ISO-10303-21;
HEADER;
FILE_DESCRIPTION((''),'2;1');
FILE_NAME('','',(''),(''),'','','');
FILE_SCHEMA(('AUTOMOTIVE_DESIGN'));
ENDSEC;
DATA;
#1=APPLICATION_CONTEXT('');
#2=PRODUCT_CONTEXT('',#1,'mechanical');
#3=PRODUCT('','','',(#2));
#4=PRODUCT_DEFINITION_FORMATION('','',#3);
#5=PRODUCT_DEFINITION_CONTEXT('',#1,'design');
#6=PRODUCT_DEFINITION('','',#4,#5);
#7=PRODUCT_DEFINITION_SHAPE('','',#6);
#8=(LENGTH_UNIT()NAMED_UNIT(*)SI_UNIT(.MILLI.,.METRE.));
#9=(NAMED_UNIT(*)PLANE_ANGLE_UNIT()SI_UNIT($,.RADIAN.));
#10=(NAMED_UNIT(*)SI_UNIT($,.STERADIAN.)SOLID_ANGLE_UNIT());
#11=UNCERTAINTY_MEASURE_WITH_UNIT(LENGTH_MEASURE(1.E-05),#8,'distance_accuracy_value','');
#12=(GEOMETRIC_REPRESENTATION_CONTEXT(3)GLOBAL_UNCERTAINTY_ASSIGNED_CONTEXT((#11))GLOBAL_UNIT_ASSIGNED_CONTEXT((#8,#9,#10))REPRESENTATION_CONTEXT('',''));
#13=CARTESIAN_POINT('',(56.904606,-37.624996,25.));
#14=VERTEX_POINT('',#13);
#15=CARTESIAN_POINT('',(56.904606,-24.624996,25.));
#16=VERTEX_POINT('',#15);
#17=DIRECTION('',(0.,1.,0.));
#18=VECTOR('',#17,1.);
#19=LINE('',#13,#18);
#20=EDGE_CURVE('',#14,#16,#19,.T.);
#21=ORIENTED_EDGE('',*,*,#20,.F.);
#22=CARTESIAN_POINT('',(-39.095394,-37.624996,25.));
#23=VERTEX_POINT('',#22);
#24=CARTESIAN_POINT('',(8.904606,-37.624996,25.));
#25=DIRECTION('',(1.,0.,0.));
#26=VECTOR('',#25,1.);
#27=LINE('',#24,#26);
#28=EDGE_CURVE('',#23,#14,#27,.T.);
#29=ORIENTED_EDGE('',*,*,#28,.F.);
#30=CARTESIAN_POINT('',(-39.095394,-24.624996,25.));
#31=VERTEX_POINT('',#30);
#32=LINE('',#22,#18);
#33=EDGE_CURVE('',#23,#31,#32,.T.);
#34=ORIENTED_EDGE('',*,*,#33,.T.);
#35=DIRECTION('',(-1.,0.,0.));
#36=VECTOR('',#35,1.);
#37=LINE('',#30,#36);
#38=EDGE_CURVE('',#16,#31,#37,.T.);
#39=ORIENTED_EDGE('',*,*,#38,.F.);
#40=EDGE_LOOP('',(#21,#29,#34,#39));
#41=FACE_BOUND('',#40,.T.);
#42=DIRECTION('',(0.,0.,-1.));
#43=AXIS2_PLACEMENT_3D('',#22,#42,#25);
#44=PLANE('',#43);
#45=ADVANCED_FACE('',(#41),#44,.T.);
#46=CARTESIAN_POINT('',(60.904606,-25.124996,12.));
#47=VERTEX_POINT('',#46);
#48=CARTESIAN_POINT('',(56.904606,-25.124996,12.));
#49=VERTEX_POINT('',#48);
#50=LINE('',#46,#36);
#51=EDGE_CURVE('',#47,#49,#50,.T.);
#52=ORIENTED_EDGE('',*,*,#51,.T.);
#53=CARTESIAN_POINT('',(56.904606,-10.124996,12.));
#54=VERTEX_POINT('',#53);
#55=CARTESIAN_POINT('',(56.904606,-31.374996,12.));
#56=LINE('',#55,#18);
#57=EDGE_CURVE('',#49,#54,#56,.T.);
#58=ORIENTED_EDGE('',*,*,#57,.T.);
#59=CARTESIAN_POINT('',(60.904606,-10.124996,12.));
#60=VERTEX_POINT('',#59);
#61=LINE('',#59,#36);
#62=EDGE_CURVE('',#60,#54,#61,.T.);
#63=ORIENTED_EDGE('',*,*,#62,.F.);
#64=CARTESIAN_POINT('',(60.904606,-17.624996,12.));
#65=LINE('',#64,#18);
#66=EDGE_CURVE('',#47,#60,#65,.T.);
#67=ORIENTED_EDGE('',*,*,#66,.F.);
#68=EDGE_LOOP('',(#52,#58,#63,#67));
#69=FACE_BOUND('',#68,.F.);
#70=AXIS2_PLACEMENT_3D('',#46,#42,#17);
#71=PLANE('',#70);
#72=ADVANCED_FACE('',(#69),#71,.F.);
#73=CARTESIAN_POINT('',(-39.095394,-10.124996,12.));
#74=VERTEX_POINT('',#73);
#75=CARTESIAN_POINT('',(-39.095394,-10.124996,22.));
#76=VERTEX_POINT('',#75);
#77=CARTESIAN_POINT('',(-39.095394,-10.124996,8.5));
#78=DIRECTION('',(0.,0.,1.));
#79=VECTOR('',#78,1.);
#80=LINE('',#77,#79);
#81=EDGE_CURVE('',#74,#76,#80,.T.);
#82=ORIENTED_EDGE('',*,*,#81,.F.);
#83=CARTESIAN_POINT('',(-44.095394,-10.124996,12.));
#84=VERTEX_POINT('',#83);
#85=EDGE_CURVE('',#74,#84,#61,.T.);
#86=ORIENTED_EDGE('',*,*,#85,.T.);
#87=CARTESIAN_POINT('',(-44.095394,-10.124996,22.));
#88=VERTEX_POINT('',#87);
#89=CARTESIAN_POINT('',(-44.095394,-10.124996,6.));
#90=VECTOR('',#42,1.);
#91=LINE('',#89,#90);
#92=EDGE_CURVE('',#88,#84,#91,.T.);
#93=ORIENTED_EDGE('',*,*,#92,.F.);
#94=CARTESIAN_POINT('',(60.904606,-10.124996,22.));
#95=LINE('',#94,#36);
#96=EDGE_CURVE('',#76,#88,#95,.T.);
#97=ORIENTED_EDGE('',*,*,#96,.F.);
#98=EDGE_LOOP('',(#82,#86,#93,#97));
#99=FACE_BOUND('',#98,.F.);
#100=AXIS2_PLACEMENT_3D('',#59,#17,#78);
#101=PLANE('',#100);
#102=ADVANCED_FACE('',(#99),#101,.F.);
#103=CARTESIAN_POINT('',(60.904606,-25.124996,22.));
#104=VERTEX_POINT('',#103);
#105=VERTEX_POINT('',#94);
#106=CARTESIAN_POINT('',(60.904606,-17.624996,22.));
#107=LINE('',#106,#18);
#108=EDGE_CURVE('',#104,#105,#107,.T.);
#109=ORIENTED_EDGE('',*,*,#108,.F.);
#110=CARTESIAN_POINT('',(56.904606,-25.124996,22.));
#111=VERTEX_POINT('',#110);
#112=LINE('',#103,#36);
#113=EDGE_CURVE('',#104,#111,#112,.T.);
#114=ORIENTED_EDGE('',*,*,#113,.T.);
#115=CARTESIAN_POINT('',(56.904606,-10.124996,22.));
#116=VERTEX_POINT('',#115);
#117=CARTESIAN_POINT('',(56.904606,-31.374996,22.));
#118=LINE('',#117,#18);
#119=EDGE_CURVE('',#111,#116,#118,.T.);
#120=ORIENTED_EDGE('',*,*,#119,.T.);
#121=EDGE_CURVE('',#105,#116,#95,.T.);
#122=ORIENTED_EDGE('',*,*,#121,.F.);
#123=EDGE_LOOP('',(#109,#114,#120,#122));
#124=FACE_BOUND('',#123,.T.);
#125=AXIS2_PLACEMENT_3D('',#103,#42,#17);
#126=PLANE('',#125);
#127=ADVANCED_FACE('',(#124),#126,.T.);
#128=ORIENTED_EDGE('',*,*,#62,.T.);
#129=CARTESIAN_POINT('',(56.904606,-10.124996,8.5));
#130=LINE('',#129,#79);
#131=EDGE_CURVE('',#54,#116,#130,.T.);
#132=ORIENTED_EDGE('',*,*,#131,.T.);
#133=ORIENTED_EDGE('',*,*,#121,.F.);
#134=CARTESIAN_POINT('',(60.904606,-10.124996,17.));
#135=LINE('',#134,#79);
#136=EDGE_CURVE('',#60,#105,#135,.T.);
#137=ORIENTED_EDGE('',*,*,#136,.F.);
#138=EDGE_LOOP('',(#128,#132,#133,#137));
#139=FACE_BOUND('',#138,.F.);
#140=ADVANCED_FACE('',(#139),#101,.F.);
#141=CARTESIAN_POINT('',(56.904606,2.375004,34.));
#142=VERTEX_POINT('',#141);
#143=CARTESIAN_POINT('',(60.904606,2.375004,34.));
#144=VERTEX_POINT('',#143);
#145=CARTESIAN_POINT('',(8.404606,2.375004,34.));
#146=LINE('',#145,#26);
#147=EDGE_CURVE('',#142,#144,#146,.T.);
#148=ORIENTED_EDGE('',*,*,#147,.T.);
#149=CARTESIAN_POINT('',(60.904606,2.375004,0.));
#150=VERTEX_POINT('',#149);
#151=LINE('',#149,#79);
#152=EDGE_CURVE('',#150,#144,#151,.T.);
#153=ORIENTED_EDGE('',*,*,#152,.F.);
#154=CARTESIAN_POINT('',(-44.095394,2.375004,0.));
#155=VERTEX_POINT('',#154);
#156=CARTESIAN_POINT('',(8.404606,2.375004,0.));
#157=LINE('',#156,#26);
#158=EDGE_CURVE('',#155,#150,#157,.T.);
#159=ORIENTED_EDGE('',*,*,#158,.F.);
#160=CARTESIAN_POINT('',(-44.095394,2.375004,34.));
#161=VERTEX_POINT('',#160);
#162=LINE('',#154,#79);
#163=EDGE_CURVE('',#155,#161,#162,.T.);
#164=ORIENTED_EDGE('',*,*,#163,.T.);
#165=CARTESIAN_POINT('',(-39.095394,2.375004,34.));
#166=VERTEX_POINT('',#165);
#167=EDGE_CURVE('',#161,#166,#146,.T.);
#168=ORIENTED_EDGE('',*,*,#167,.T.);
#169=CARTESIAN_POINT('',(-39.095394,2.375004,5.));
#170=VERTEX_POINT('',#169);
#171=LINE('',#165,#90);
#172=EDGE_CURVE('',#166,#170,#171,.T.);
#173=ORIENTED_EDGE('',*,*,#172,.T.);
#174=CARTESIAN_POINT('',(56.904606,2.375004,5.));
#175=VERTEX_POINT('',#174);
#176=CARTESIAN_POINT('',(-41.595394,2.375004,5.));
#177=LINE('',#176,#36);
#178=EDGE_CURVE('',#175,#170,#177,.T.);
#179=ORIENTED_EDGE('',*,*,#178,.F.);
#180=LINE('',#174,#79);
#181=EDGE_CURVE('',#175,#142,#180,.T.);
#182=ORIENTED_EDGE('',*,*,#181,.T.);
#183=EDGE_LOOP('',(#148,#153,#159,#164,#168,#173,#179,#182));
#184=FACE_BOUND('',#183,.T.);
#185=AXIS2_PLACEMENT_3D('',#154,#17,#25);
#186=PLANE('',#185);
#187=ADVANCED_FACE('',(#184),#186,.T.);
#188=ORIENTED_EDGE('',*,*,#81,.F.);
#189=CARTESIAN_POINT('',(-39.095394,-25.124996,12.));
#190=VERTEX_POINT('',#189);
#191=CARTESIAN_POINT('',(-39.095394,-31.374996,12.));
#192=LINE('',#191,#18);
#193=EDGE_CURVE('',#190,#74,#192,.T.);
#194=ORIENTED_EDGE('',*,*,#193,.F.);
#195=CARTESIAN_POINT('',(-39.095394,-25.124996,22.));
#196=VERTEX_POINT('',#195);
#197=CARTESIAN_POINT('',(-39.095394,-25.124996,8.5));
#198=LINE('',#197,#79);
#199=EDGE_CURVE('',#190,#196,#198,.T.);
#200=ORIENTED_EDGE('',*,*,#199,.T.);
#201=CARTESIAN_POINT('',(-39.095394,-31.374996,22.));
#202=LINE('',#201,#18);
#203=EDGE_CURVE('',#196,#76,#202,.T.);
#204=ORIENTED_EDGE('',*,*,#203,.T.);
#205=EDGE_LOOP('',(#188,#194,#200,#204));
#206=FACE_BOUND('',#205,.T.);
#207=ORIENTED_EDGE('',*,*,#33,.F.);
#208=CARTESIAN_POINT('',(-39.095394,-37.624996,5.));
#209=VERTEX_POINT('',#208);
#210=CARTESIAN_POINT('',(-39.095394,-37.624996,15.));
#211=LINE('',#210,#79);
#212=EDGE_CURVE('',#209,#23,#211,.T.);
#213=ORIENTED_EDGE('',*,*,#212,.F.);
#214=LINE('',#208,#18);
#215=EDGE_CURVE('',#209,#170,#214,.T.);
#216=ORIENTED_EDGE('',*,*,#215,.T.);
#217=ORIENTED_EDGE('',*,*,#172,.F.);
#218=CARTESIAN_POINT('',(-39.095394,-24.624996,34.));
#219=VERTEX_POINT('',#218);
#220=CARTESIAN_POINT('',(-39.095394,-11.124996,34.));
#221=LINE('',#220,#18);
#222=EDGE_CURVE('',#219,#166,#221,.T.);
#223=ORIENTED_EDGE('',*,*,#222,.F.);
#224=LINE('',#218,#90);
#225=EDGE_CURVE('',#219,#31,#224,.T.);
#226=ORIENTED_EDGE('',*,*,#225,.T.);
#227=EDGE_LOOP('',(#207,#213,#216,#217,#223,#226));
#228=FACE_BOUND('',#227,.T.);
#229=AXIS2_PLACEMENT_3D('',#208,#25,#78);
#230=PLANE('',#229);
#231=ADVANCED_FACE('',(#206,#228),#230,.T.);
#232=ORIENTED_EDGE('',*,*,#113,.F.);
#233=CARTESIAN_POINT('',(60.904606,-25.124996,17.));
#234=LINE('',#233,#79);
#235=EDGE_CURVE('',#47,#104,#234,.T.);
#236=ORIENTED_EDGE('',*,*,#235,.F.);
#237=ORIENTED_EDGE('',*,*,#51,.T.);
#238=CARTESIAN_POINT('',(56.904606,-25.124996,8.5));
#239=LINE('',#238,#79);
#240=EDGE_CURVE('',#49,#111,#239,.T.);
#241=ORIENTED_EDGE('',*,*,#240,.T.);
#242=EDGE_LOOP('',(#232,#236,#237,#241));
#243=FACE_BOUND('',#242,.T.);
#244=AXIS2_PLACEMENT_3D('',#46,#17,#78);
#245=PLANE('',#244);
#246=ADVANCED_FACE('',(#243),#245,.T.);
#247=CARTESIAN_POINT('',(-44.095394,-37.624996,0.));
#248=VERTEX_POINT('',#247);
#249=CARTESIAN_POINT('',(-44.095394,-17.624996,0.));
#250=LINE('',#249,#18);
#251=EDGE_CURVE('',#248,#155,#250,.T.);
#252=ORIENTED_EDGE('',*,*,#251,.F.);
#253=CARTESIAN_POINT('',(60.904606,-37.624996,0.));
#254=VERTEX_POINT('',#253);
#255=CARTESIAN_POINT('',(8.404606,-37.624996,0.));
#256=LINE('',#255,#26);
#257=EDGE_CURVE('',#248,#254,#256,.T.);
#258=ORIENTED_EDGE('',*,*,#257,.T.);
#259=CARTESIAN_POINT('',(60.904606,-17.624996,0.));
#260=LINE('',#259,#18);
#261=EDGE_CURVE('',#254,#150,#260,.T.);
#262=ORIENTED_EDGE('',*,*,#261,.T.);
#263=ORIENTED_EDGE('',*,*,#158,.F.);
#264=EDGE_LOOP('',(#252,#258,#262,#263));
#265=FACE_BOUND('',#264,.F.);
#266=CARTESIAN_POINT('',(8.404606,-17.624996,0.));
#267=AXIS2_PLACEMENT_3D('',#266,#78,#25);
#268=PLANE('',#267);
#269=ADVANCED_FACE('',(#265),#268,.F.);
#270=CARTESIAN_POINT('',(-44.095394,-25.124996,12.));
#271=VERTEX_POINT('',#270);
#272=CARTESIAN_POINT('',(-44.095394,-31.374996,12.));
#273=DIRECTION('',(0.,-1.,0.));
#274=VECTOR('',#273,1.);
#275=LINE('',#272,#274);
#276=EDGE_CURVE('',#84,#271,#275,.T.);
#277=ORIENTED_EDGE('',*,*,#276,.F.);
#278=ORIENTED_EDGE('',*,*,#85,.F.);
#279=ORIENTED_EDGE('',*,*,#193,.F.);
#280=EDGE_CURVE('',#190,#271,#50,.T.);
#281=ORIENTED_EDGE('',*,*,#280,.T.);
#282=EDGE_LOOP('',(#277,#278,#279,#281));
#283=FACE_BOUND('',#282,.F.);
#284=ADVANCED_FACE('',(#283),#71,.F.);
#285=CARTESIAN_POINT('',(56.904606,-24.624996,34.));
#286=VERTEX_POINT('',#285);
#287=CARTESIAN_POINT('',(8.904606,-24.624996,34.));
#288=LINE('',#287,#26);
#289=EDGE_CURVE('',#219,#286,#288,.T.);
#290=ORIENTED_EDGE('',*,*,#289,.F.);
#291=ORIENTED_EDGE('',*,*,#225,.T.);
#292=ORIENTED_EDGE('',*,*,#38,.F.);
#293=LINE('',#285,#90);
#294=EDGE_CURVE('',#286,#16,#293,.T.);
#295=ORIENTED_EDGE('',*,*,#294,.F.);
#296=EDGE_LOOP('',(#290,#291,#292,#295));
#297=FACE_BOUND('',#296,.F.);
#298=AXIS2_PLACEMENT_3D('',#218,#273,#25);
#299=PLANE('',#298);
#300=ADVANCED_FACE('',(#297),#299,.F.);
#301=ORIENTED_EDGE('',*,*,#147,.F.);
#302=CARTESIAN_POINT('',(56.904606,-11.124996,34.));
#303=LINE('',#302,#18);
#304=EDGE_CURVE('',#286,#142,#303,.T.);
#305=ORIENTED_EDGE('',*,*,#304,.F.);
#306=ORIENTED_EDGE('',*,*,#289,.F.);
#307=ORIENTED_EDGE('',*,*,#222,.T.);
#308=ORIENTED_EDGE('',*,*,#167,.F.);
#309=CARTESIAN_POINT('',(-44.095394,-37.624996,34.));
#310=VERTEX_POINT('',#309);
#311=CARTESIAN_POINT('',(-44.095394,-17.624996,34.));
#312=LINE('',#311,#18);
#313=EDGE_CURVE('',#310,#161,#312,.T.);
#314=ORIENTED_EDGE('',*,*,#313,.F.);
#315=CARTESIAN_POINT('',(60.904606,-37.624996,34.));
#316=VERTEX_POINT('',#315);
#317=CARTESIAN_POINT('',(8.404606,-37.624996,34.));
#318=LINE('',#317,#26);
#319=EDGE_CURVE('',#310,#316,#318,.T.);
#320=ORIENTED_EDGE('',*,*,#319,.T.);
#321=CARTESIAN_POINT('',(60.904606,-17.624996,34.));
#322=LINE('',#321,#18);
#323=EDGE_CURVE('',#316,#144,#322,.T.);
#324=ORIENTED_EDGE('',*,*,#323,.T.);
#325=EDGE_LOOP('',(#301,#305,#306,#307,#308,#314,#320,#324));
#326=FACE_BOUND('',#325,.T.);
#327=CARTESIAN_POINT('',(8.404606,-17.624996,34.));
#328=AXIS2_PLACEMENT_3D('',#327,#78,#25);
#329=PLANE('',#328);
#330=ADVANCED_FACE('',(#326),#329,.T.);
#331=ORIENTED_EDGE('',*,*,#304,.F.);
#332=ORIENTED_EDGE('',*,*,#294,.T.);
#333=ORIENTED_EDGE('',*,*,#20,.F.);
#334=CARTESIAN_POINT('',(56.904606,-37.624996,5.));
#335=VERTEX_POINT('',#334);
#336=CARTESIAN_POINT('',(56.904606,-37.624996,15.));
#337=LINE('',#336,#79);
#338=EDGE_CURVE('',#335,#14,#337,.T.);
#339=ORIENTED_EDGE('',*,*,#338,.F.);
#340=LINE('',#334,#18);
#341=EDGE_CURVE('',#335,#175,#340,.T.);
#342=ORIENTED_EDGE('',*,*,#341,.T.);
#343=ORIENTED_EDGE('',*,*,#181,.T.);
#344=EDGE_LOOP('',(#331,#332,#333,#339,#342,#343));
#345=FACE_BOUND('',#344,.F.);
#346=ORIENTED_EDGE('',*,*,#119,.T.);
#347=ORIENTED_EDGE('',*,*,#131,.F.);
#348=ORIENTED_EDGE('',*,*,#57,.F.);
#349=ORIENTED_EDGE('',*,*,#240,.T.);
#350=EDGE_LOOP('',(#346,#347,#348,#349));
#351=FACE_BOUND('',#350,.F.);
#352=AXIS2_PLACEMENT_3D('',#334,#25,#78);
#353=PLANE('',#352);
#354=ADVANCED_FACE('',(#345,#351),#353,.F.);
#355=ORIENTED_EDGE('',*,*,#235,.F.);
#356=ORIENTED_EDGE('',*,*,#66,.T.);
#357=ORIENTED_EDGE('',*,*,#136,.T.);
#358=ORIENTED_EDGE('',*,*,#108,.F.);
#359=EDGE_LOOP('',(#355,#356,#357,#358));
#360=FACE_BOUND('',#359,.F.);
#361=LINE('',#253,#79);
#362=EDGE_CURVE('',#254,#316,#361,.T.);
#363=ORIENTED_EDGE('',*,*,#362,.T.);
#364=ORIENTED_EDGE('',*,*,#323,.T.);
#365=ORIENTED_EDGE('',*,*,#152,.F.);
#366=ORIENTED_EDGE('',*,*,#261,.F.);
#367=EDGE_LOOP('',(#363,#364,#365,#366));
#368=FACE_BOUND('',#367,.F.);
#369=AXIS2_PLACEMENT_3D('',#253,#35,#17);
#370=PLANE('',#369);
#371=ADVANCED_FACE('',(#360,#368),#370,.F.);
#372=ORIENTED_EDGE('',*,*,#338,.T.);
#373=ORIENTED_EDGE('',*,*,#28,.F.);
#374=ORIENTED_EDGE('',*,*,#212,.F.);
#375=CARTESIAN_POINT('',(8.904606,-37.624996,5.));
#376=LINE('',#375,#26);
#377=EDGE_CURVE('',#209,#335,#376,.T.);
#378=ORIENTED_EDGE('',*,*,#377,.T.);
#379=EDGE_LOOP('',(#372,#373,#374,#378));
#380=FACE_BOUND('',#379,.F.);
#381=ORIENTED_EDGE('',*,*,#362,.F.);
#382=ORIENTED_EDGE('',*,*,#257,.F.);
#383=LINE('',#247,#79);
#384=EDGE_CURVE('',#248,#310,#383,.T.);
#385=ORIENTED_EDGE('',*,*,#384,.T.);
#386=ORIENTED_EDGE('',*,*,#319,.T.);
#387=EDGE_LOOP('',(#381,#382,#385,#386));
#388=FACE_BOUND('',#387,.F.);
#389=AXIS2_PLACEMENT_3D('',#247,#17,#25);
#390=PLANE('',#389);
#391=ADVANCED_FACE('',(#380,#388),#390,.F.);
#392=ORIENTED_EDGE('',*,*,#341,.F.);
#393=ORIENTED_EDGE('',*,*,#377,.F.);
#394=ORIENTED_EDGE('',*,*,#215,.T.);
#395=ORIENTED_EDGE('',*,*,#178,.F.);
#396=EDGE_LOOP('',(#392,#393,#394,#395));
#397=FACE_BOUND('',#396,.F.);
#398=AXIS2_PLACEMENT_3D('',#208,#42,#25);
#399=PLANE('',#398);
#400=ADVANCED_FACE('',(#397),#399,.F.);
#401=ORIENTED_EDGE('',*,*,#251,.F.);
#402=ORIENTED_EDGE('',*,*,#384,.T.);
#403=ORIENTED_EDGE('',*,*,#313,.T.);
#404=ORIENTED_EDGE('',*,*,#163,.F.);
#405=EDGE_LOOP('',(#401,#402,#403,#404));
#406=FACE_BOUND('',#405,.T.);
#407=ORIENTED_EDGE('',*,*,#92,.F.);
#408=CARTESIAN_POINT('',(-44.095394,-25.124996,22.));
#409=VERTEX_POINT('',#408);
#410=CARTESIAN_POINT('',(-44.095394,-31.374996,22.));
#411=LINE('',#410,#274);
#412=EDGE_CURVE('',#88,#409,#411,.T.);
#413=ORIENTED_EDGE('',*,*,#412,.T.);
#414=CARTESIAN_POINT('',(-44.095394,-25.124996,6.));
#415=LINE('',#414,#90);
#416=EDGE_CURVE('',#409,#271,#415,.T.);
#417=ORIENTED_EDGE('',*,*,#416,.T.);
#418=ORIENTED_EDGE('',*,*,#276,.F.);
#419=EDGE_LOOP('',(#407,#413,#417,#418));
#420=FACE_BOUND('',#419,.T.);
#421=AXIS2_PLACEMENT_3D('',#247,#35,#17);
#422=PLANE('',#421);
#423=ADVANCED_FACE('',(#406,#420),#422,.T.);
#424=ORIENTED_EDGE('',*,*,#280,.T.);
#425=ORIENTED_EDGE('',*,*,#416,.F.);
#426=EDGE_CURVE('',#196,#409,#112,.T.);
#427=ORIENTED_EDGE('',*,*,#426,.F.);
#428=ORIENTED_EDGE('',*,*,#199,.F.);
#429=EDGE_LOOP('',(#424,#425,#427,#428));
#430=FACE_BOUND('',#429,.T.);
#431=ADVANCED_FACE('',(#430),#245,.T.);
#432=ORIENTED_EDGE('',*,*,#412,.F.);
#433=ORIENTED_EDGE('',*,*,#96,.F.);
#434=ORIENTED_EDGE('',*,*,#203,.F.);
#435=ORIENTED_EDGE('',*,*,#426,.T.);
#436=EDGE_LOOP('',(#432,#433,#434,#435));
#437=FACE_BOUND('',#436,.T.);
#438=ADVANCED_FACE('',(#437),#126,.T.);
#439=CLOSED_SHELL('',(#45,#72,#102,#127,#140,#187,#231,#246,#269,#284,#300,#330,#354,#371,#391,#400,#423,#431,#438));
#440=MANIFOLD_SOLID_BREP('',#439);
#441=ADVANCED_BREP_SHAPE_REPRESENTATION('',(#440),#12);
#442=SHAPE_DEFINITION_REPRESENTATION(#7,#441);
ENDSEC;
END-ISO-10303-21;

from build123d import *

# Parameters (mm, degrees)
F0_W     = 105
F0_H     = 40
F1_DEPTH = 34
F2_W     = 96
F2_H     = 20
F3_DEPTH = 40.001
F4_W     = 96
F4_H     = 27
F5_DEPTH = 10
F6_W     = 15
F6_H     = 10
F7_DEPTH = 105.001


with BuildPart() as f1:
    # F0 (on Top) → F1 (new body)
    with BuildSketch(Plane.XY):
        with Locations((8.404606, -17.624996)):
            Rectangle(F0_W, F0_H)
    extrude(amount=F1_DEPTH)

    # F2 (on face) → F3 (cut, through all)
    with BuildSketch(Plane.XZ.offset(37.624996)):
        with Locations((8.904606, 15)):
            Rectangle(F2_W, F2_H)
    extrude(amount=-F3_DEPTH, mode=Mode.SUBTRACT)

    # F4 (on face) → F5 (cut)
    with BuildSketch(Plane.XY.offset(34)):
        with Locations((8.904606, -11.124996)):
            Rectangle(F4_W, F4_H)
    extrude(amount=-F5_DEPTH, mode=Mode.SUBTRACT)

    # F6 (on face) → F7 (cut, through all)
    with BuildSketch(Plane.YZ.offset(60.904606)):
        with Locations((-17.624996, 17)):
            Rectangle(F6_W, F6_H)
    extrude(amount=-F7_DEPTH, mode=Mode.SUBTRACT)


solid = f1.part
